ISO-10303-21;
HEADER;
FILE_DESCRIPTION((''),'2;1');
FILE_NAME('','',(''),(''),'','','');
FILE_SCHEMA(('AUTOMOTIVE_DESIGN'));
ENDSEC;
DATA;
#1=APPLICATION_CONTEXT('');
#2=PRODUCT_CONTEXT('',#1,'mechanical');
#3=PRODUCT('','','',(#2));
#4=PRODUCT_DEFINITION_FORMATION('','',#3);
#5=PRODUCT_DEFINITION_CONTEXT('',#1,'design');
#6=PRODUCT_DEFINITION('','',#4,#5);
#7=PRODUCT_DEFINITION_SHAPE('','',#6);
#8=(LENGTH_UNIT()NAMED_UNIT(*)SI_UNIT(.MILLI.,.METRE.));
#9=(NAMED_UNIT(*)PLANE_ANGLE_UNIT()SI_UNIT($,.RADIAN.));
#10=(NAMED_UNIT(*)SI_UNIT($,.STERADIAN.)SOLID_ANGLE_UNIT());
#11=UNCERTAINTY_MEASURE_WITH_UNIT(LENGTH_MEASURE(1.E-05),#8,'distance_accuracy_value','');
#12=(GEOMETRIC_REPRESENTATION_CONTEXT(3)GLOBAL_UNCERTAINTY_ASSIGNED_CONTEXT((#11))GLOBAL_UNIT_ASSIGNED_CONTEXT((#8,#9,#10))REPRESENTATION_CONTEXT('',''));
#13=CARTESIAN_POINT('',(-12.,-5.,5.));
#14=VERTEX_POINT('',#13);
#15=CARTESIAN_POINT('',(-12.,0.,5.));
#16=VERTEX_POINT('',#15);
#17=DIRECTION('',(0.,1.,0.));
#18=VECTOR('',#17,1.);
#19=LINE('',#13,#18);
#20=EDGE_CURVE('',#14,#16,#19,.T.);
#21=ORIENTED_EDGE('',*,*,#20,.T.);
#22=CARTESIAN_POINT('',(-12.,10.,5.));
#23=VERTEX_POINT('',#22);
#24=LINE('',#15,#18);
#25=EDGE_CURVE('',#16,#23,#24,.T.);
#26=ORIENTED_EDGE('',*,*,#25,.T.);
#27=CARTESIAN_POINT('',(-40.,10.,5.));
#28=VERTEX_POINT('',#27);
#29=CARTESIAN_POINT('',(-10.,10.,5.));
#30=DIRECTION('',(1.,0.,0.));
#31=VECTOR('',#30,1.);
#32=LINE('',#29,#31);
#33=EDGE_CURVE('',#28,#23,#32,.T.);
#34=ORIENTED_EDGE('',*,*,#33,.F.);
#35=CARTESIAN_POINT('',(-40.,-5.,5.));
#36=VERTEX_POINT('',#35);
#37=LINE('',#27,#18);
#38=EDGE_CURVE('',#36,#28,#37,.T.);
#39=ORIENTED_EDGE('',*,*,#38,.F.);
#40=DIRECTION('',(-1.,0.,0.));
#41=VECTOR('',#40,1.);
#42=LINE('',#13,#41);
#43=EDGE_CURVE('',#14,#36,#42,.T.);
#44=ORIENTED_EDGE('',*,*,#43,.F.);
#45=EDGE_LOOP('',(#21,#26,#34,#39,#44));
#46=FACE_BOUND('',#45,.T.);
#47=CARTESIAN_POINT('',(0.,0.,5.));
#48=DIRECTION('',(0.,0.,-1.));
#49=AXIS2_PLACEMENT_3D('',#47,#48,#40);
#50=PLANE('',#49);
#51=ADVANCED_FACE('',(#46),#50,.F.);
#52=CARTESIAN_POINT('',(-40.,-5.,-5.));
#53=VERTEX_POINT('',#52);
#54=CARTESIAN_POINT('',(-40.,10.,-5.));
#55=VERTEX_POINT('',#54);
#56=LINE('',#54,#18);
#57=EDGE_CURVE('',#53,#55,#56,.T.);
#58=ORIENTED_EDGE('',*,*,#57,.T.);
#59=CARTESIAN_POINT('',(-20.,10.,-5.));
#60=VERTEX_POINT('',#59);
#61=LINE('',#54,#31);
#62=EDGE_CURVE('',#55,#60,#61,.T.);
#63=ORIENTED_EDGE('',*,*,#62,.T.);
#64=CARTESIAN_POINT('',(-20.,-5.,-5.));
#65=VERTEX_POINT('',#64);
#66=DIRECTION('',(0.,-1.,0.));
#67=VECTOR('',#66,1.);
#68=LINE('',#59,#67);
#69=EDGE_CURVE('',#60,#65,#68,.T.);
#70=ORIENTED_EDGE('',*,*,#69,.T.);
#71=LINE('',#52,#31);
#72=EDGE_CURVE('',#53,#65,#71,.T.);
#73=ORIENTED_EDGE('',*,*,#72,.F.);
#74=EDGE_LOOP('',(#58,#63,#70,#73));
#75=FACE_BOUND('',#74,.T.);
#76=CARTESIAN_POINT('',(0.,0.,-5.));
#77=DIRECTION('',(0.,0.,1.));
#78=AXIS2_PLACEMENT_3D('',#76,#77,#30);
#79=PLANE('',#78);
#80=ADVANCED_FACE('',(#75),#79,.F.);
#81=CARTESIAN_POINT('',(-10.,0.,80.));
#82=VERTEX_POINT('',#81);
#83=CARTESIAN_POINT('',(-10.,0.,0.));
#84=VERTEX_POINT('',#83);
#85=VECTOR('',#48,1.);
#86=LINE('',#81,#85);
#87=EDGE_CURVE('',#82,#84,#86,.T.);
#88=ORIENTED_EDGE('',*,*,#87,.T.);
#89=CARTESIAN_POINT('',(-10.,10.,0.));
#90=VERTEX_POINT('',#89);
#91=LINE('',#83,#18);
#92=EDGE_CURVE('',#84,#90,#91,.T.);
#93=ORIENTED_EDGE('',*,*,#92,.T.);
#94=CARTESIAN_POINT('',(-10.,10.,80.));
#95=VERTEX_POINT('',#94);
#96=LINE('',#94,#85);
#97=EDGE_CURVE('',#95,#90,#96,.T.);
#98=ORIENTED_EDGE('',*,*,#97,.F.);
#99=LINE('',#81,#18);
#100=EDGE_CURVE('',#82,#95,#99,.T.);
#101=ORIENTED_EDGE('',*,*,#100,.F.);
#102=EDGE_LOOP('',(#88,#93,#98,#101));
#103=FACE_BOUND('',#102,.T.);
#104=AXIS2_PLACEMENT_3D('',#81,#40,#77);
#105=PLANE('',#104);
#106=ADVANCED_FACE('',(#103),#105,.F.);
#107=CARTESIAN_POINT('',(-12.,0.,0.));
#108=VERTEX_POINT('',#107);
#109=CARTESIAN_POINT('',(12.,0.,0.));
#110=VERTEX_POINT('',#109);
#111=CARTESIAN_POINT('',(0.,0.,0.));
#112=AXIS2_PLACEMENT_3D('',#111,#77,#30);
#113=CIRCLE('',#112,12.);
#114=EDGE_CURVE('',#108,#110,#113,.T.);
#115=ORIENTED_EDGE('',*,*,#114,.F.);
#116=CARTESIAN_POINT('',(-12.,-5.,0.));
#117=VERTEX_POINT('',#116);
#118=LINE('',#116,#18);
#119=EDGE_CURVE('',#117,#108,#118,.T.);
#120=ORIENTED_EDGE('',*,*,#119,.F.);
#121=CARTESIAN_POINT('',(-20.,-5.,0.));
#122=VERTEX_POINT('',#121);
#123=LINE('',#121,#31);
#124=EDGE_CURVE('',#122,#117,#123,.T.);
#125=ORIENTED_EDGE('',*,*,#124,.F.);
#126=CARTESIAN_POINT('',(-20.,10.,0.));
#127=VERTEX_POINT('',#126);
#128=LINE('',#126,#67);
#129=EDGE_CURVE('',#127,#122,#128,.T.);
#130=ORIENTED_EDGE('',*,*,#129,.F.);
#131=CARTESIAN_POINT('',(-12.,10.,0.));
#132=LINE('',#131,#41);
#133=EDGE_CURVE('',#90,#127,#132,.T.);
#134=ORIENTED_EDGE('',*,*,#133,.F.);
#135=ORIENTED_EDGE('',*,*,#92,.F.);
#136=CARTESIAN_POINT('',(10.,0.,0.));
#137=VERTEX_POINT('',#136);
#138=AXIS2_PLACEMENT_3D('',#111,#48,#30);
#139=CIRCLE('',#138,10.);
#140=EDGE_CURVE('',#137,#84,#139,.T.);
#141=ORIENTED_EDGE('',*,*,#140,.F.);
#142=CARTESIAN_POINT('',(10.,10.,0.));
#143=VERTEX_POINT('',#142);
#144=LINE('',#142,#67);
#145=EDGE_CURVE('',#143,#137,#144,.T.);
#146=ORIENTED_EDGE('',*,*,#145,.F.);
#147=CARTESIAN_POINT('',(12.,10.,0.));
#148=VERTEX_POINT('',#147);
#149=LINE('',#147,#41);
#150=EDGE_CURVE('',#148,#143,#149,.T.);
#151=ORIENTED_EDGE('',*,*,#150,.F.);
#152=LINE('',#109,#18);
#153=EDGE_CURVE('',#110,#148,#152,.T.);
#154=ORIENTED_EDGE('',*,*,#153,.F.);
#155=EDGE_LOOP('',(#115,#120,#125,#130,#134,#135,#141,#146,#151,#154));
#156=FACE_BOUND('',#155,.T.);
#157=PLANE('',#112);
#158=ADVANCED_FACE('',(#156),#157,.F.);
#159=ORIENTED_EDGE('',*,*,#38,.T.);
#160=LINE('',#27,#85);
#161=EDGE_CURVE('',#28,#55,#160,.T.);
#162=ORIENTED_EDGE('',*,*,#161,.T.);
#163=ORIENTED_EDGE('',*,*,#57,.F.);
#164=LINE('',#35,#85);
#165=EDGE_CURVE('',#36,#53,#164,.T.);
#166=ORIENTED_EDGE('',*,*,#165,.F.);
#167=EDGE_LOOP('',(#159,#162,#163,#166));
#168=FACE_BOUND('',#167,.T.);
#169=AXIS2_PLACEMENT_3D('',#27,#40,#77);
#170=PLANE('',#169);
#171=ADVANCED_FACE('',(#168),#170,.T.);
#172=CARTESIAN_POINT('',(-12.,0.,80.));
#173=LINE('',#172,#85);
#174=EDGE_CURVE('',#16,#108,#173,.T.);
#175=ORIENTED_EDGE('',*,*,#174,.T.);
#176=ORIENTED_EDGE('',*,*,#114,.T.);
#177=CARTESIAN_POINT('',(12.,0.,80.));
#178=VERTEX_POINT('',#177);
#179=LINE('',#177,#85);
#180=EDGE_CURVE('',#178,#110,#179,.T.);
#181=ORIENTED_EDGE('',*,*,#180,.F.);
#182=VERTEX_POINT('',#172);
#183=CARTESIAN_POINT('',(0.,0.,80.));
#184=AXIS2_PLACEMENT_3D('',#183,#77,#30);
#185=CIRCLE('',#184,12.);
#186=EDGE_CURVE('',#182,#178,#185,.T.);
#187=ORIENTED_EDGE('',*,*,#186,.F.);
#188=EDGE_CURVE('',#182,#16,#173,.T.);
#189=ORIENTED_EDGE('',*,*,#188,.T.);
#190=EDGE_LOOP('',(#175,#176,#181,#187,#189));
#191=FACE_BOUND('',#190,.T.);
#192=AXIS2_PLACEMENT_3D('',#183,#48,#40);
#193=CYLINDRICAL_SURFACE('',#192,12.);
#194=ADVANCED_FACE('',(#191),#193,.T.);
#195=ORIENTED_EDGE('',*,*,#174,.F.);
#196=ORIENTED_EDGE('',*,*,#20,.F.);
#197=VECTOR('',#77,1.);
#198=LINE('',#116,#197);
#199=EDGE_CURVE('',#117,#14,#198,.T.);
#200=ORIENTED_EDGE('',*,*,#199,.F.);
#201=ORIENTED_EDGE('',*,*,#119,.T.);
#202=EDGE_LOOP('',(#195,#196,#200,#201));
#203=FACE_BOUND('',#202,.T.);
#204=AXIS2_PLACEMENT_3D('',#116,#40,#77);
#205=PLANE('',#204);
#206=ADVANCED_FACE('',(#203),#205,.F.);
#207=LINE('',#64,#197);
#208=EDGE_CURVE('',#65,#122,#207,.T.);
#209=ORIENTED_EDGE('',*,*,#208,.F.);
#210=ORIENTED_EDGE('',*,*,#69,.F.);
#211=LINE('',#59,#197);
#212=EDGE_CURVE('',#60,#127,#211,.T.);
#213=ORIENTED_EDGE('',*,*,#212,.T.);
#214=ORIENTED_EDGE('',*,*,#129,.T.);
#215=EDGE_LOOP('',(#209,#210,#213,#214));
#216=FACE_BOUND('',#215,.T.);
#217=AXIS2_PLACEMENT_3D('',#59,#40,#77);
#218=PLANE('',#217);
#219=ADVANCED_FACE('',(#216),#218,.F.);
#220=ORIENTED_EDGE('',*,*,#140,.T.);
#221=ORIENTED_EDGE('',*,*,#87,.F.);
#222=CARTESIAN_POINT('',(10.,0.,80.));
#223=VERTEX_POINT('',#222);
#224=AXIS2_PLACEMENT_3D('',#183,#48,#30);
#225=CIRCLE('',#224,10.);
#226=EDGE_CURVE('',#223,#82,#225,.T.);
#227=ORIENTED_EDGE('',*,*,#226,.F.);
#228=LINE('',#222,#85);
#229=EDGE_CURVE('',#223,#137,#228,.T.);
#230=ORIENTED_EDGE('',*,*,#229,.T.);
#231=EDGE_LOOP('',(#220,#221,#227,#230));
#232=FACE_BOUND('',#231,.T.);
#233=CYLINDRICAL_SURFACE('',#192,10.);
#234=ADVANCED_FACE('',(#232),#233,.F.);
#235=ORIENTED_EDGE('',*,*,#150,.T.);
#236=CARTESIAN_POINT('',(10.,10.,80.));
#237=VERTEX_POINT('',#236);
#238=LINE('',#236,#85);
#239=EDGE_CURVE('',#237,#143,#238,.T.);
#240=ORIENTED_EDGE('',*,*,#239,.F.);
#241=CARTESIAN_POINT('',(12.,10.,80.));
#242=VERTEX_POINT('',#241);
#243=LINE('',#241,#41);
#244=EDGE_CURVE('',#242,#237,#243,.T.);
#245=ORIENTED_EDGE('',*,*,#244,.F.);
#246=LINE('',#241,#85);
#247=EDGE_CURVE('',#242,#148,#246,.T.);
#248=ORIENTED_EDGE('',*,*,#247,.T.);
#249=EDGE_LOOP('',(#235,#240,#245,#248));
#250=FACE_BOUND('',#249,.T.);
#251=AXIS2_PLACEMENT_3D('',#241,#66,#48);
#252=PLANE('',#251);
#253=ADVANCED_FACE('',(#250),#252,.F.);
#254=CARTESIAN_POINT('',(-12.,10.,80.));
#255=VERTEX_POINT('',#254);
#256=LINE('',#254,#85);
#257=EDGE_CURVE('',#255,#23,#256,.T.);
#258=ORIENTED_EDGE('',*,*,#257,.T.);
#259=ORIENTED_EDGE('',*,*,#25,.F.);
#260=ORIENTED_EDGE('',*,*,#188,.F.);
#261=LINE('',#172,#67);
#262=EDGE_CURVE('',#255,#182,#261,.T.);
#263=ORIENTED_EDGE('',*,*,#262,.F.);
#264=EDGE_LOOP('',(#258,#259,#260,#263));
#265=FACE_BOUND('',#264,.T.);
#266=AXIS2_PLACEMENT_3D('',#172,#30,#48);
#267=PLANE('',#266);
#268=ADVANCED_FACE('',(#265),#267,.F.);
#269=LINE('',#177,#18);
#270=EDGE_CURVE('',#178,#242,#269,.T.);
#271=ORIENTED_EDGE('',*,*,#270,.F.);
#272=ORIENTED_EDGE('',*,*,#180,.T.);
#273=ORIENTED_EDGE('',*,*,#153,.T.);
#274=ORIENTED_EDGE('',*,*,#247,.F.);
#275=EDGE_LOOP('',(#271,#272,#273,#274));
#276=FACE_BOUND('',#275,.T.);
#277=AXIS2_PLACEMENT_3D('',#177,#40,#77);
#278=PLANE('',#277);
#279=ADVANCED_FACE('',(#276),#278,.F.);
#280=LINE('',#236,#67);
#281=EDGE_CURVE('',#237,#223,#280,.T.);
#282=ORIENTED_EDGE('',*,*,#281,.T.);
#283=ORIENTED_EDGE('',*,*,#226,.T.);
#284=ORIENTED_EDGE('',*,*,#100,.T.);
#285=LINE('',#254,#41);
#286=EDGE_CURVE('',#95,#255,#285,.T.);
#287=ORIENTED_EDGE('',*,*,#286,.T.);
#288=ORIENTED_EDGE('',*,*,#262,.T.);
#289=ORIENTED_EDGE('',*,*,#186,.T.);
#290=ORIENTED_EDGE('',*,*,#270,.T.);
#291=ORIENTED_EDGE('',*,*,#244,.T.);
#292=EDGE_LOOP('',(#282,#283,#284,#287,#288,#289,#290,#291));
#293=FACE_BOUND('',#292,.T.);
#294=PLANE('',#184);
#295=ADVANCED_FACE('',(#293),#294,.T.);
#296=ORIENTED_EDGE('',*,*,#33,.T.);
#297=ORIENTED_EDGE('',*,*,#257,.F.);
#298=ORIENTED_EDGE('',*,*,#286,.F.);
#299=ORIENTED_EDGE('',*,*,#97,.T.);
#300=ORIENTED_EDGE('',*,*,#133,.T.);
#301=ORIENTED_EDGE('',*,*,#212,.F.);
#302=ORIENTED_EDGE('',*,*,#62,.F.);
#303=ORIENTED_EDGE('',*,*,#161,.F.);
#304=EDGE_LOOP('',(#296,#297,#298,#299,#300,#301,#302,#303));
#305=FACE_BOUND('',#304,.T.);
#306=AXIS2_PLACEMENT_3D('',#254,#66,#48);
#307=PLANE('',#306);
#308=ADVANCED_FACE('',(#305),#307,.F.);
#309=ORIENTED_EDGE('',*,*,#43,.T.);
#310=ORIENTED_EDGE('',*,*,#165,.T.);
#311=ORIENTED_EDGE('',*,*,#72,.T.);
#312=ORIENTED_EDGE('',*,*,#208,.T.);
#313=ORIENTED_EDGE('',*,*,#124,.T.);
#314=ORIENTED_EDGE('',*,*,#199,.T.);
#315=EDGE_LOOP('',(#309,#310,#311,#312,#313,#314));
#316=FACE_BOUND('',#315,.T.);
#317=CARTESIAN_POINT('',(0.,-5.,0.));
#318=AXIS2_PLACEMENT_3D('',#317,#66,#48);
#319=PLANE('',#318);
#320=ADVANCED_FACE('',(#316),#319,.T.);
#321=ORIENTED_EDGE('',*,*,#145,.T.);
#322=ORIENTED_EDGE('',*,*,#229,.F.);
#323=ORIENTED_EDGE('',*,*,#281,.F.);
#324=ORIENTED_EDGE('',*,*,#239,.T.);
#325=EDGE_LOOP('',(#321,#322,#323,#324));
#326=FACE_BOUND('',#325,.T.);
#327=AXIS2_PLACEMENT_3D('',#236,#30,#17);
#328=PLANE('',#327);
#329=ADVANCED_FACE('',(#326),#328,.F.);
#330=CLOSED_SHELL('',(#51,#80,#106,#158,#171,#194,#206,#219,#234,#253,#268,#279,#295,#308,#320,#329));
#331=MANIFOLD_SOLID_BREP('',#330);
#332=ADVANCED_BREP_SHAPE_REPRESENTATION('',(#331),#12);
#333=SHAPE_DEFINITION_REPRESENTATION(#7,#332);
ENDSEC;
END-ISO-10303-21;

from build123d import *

# Parameters (mm, degrees)
BOSS_EXTRUDE1_DEPTH = 80
SKETCH2_W           = 30
SKETCH2_H           = 10
BOSS_EXTRUDE2_DEPTH = 5
SKETCH3_W           = 20
SKETCH3_H           = 10
BOSS_EXTRUDE3_DEPTH = 5
BOSS_EXTRUDE4_DEPTH = 5


with BuildPart() as part:
    # Sketch1 → Boss-Extrude1 (new body)
    with BuildSketch(Plane.XY):
        with BuildLine():
            Line((-10, 0), (-10, 10))
            Line((-10, 10), (-12, 10))
            Line((-12, 10), (-12, 0))
            ThreePointArc((-12, 0), (0, -12), (12, 0))
            Line((12, 0), (12, 10))
            Line((12, 10), (10, 10))
            Line((10, 10), (10, 0))
            ThreePointArc((10, 0), (0, -10), (-10, 0))
        make_face()
    extrude(amount=BOSS_EXTRUDE1_DEPTH)

    # Sketch2 → Boss-Extrude2 (add)
    with BuildSketch(Plane(origin=(0, 0, 0), x_dir=(-1, 0, 0), z_dir=(0, 0, -1))):
        with Locations((25, 5)):
            Rectangle(SKETCH2_W, SKETCH2_H)
    extrude(amount=-BOSS_EXTRUDE2_DEPTH)

    # Sketch3 → Boss-Extrude3 (add)
    with BuildSketch(Plane(origin=(0, 0, 0), x_dir=(-1, 0, 0), z_dir=(0, 0, -1))):
        with Locations((30, 5)):
            Rectangle(SKETCH3_W, SKETCH3_H)
    extrude(amount=BOSS_EXTRUDE3_DEPTH)

    # Sketch4 → Boss-Extrude4 (add)
    with BuildSketch(Plane.XZ):
        Polygon((-12, 0), (-12, 5), (-40, 5), (-40, -5), (-20, -5), (-20, 0), align=None)
    extrude(amount=BOSS_EXTRUDE4_DEPTH)


solid = part.part
